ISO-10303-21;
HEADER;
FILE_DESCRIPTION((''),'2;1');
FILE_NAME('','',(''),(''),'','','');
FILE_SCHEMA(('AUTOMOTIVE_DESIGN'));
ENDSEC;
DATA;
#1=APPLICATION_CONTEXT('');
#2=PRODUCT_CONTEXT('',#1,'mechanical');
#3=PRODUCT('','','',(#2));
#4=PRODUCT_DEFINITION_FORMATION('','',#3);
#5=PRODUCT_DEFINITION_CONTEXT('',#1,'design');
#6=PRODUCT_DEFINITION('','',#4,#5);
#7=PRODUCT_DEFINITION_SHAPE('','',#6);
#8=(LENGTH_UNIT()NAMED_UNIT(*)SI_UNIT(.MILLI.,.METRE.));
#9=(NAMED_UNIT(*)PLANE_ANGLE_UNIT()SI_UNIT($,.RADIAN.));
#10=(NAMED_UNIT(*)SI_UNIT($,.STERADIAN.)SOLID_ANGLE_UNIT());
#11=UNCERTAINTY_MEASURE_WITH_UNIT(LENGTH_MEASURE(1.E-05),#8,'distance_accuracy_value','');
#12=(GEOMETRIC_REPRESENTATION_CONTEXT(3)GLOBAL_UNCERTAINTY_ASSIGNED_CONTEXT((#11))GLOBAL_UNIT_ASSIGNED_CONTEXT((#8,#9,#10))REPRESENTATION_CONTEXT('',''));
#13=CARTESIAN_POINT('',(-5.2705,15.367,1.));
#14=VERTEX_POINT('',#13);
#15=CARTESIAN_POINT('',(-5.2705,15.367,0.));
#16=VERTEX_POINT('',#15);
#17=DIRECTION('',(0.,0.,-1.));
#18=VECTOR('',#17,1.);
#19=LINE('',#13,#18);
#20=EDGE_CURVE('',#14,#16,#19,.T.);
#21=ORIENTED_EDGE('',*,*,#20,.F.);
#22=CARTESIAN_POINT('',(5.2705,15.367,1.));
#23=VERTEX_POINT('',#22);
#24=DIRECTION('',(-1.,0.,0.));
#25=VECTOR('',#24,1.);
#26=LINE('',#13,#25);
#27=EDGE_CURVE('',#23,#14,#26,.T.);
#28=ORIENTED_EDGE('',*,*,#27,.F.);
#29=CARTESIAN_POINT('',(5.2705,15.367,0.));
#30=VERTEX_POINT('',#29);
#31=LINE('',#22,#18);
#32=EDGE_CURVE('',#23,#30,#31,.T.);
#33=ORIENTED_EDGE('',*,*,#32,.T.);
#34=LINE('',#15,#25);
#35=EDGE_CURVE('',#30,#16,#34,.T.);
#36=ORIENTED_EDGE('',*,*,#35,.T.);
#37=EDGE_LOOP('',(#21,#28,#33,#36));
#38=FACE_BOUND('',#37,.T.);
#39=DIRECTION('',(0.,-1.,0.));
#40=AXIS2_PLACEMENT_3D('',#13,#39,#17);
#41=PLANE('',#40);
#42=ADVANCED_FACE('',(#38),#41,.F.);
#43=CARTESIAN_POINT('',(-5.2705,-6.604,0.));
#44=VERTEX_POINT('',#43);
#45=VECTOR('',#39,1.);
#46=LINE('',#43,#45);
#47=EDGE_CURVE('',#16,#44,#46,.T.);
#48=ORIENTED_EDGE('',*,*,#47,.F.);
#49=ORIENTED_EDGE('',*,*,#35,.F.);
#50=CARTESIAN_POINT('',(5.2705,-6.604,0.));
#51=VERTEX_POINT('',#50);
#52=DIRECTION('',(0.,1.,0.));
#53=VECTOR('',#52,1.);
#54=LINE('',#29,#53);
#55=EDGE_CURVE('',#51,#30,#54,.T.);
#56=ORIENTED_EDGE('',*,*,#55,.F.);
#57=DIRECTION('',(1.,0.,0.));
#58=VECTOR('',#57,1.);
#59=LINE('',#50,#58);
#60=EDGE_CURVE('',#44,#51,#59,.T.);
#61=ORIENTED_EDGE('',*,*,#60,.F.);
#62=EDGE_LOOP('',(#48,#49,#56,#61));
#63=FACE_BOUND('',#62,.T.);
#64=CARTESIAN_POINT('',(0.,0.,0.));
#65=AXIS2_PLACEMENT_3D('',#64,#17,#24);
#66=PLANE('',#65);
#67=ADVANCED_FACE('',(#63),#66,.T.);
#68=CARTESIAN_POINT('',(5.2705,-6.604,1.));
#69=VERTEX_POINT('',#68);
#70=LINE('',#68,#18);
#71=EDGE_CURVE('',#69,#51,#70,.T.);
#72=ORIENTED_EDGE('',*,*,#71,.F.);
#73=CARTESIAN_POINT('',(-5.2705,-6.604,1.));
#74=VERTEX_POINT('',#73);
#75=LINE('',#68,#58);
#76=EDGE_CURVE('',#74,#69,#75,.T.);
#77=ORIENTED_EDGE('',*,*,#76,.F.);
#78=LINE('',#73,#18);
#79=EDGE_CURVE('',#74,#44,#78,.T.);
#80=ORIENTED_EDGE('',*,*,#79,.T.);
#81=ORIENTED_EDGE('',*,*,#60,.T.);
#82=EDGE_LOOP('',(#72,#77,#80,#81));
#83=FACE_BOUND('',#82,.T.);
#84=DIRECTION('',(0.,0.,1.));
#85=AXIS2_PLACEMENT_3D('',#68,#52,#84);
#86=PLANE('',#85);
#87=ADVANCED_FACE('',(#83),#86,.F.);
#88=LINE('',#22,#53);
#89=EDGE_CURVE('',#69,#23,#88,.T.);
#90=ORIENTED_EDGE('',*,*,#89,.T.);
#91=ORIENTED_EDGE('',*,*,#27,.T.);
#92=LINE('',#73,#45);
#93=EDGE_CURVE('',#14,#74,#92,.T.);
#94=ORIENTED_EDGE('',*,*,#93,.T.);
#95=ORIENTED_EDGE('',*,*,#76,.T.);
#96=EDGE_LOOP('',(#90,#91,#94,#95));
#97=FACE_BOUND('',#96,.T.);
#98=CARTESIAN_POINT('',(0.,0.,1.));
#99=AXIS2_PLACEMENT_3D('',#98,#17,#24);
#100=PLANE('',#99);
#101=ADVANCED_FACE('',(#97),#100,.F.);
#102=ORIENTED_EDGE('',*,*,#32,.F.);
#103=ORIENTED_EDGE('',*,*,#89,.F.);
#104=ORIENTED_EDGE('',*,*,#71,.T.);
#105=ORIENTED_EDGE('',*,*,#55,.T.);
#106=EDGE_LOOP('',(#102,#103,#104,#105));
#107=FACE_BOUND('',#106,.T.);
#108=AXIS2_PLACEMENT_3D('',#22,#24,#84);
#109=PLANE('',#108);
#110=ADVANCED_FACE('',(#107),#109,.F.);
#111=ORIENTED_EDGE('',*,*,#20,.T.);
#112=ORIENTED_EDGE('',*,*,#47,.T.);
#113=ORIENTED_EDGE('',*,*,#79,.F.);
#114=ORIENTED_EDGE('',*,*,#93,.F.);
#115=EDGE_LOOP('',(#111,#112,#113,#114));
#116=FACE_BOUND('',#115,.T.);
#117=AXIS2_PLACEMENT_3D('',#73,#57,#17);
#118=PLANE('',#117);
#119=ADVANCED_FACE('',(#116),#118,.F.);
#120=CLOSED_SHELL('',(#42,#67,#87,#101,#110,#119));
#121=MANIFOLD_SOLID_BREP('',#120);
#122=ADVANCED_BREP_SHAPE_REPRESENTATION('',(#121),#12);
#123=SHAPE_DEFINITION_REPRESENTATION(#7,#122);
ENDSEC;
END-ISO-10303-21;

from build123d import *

# Parameters (mm, degrees)
SKIZZE1_W               = 10.541
SKIZZE1_H               = 21.971
COMPONENT_OUTLINE_DEPTH = 1


with BuildPart() as part:
    # Skizze1 → Component_Outline (new body)
    with BuildSketch(Plane.XY):
        with Locations((0, 4.3815)):
            Rectangle(SKIZZE1_W, SKIZZE1_H)
    extrude(amount=COMPONENT_OUTLINE_DEPTH)


solid = part.part
